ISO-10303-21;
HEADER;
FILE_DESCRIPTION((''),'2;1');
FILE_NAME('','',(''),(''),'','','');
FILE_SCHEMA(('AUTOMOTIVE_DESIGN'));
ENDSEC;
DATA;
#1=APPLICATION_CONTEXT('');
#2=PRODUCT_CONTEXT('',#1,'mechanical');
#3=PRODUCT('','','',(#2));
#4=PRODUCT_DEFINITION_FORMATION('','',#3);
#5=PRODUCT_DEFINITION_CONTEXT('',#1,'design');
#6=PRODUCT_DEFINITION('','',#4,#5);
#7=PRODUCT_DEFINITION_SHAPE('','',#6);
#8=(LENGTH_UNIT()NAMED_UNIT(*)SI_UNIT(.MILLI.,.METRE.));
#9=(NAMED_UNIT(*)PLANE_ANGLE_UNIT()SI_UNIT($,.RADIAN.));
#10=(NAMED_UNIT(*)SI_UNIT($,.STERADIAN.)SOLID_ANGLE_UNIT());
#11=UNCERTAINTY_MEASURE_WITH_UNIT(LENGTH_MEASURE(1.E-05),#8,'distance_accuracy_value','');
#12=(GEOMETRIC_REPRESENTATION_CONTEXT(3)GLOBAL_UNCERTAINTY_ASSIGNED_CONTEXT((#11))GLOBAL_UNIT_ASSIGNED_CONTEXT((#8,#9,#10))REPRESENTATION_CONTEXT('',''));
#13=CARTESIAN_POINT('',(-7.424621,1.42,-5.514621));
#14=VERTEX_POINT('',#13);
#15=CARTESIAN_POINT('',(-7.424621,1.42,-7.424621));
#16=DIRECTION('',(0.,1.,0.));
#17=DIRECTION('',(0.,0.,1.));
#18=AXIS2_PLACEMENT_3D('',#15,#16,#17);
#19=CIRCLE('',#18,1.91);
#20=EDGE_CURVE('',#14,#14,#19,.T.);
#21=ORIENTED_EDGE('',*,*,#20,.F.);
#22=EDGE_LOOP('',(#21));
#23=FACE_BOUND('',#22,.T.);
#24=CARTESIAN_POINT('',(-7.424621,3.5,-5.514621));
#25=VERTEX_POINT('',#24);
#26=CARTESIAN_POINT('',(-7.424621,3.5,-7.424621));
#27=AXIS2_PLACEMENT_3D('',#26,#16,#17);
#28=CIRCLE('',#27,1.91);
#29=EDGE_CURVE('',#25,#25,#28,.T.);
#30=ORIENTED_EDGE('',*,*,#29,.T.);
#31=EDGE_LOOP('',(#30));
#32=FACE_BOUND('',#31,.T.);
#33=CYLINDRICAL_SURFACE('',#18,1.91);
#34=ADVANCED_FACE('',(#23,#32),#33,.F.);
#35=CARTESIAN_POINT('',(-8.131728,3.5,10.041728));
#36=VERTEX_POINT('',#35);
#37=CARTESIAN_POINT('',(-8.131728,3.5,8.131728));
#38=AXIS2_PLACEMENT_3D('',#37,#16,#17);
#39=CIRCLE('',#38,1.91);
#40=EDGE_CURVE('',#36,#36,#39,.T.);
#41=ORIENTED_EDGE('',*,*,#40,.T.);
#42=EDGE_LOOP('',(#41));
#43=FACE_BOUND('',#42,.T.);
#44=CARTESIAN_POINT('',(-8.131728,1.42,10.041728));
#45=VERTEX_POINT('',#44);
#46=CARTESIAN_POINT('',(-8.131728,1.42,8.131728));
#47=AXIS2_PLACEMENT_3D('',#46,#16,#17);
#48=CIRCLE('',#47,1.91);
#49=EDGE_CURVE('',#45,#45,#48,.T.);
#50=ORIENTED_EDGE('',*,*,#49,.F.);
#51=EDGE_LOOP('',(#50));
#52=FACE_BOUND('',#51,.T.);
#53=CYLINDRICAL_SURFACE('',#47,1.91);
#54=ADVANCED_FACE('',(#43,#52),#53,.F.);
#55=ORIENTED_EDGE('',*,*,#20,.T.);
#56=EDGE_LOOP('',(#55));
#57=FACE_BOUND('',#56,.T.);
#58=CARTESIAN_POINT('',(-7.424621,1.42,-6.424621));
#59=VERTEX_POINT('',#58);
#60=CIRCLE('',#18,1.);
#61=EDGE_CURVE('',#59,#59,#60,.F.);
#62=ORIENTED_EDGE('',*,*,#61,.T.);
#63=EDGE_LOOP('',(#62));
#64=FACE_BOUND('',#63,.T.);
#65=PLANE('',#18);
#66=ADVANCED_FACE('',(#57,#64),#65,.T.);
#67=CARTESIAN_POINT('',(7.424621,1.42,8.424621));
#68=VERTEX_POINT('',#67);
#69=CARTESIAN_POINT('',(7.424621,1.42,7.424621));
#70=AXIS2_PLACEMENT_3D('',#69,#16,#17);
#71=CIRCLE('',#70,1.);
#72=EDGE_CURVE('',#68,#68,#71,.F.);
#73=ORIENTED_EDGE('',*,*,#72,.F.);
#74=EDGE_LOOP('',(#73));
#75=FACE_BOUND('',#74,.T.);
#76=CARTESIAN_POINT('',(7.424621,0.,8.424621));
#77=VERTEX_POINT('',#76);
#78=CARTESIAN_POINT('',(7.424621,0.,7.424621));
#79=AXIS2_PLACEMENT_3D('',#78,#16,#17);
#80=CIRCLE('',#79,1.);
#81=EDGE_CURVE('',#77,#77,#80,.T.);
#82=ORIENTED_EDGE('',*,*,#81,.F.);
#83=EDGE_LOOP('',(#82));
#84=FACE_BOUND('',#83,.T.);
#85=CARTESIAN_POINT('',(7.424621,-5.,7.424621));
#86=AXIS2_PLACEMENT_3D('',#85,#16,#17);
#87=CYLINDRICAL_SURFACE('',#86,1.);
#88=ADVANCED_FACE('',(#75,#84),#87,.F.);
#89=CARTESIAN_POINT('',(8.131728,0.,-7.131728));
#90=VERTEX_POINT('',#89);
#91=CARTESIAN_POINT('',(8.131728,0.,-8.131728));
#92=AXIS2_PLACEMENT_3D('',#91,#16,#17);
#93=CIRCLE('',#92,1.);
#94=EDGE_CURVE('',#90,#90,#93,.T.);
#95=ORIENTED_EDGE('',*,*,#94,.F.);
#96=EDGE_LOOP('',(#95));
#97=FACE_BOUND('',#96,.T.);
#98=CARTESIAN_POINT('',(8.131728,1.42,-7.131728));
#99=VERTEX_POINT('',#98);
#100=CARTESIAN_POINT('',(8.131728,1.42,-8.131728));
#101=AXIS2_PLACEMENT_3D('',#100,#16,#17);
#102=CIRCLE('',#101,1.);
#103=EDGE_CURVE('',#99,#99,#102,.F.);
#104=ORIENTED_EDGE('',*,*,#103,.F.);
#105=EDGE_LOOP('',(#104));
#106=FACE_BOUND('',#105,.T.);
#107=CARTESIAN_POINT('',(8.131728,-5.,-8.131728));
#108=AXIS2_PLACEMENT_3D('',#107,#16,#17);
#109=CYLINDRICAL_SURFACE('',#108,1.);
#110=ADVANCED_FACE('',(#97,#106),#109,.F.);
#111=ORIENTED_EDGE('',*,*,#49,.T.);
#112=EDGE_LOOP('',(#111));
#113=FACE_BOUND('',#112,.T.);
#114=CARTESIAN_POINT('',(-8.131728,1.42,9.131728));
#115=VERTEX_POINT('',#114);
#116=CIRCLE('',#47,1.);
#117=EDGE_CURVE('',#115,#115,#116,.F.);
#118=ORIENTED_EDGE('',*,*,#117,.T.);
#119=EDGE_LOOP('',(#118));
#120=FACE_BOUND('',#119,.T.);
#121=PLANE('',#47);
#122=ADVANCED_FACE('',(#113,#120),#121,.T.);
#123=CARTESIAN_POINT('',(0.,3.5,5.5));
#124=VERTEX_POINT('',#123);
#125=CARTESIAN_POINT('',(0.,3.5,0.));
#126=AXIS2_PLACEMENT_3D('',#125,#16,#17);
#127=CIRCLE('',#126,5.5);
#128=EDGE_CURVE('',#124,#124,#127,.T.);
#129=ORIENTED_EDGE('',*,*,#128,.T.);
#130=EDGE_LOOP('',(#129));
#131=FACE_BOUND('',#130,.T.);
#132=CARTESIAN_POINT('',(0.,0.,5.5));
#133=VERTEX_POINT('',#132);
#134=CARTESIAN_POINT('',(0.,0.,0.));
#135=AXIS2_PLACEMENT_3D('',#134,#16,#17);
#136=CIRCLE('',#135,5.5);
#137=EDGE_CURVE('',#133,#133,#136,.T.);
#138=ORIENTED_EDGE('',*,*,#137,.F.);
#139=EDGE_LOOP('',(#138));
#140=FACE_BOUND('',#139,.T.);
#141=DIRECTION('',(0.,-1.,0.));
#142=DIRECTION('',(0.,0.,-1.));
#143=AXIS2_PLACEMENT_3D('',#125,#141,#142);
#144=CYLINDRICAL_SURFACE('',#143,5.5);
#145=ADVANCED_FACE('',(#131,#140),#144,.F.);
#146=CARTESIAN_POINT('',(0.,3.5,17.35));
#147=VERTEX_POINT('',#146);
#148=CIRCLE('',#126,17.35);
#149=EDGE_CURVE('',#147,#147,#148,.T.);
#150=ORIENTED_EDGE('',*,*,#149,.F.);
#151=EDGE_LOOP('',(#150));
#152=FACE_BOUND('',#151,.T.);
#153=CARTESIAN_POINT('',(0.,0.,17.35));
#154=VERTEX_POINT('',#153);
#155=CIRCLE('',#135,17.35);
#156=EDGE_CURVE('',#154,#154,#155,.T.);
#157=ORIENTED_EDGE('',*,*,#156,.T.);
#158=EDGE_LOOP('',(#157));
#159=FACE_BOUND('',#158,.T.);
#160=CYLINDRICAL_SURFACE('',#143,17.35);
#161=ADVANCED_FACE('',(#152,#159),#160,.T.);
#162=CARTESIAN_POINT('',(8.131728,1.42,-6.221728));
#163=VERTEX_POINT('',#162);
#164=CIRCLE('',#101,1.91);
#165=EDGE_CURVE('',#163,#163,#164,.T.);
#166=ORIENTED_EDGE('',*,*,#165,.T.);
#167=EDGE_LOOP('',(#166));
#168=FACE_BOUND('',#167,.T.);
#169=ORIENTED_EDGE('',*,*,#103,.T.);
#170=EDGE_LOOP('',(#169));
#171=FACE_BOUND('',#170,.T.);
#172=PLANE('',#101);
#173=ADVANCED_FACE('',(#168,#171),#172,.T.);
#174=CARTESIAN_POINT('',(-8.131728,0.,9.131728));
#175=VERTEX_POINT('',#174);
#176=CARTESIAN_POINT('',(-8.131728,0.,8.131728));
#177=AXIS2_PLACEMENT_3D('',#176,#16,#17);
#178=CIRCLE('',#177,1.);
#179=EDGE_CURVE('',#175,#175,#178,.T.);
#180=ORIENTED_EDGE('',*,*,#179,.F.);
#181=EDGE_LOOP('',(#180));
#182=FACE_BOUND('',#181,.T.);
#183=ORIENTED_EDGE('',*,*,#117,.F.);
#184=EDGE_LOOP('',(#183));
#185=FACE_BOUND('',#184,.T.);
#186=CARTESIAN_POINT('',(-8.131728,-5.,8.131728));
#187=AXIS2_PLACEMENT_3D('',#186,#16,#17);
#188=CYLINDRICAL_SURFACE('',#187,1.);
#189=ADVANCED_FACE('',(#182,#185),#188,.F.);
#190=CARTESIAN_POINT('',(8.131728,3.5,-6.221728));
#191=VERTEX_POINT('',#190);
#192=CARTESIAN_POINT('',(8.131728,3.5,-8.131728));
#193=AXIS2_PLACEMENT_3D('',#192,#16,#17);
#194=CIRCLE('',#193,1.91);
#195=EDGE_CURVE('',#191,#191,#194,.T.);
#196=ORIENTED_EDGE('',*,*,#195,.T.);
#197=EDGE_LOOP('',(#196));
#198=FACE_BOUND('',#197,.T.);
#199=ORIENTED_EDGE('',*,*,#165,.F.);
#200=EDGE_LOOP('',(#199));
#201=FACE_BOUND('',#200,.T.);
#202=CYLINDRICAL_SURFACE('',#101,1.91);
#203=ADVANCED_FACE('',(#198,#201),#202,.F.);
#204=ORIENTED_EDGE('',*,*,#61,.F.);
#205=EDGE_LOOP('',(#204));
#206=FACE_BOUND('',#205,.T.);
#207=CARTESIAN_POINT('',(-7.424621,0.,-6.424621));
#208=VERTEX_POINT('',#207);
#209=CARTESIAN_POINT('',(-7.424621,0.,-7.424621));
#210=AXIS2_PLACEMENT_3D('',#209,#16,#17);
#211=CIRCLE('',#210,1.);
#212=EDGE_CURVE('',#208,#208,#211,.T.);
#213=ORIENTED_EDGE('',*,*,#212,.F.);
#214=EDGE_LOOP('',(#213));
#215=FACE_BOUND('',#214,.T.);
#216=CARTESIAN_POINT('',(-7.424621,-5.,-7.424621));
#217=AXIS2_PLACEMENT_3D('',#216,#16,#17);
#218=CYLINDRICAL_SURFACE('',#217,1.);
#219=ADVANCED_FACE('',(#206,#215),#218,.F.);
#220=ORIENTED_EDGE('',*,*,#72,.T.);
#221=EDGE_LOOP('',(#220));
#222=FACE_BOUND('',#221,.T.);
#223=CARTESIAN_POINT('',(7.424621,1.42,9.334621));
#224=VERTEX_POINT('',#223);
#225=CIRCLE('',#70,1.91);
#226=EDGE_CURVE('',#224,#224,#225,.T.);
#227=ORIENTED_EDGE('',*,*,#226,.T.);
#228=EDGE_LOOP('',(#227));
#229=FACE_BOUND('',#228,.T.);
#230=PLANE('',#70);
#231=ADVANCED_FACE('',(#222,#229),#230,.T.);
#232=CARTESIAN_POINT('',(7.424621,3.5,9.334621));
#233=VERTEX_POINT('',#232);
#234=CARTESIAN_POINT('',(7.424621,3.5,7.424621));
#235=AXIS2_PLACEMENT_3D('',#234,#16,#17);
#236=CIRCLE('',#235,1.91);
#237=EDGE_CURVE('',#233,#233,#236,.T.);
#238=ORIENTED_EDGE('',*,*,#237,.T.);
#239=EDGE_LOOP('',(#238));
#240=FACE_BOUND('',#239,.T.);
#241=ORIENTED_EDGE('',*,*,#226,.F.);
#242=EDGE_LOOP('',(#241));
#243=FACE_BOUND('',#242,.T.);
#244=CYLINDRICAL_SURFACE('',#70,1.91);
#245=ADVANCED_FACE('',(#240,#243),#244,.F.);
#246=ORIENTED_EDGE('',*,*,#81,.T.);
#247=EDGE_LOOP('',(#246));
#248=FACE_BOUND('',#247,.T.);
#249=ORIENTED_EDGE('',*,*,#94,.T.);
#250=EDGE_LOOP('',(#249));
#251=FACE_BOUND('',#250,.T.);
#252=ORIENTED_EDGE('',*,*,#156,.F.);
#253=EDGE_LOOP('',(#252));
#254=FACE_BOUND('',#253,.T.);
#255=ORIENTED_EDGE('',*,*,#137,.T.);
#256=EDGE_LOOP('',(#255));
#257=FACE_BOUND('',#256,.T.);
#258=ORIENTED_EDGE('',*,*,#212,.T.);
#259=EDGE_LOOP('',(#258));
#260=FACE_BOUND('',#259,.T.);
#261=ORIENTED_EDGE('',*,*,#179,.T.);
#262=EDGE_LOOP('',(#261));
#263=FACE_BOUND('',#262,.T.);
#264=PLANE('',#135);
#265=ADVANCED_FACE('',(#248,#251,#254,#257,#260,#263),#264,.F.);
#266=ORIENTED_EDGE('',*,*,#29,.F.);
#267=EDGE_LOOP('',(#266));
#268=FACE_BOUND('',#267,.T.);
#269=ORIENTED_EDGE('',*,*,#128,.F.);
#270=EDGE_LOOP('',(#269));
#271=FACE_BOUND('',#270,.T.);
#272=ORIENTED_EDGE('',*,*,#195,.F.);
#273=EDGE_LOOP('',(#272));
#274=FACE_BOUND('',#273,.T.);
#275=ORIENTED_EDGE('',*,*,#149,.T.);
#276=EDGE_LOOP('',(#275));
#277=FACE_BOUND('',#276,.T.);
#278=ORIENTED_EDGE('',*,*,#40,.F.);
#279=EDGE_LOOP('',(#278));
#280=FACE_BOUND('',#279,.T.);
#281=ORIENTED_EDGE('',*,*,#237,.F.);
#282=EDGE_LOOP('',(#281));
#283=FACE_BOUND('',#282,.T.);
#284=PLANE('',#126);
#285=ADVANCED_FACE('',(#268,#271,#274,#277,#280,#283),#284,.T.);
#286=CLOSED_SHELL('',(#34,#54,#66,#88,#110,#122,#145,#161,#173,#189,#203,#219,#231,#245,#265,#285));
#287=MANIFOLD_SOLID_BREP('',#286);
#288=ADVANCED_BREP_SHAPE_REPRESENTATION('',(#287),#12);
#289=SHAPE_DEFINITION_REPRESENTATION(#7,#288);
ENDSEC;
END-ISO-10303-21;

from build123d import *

# Parameters (mm, degrees)
SKETCH_1_R          = 17.35
SKETCH_1_R_2        = 5.5
EXTRUDE_1_DEPTH     = 3.5
SKETCH_6_R          = 1
CUT_EXTRUDE_3_DEPTH = 5
SKETCH_7_R          = 1.91
CUT_EXTRUDE_4_DEPTH = 2.08


with BuildPart() as part:
    # 草图1 → 凸台-拉伸1 (new body)
    with BuildSketch(Plane(origin=(0, 0, 0), x_dir=(1, 0, 0), z_dir=(0, 1, 0))):
        with Locations(Location((0, 0, 0), (0, 0, 270))):
            Circle(SKETCH_1_R)
        with Locations(Location((0, 0, 0), (0, 0, 270))):
            Circle(SKETCH_1_R_2, mode=Mode.SUBTRACT)
    extrude(amount=EXTRUDE_1_DEPTH)

    # 草图6 → 切除-拉伸3 (cut, symmetric)
    with BuildSketch(Plane(origin=(0, 0, 0), x_dir=(1, 0, 0), z_dir=(0, 1, 0))):
        with Locations(Location((8.131727984, 8.131727984, 0), (0, 0, 270))):
            Circle(SKETCH_6_R)
        with Locations(Location((7.424621202, -7.424621202, 0), (0, 0, 270))):
            Circle(SKETCH_6_R)
        with Locations(Location((-8.131727984, -8.131727984, 0), (0, 0, 270))):
            Circle(SKETCH_6_R)
        with Locations(Location((-7.424621202, 7.424621202, 0), (0, 0, 270))):
            Circle(SKETCH_6_R)
    extrude(amount=CUT_EXTRUDE_3_DEPTH, both=True, mode=Mode.SUBTRACT)

    # 草图7 → 切除-拉伸4 (cut)
    with BuildSketch(Plane(origin=(0, 3.5, 0), x_dir=(1, 0, 0), z_dir=(0, 1, 0))):
        with Locations(Location((-7.424621202, 7.424621202, 0), (0, 0, 270))):
            Circle(SKETCH_7_R)
        with Locations(Location((8.131727984, 8.131727984, 0), (0, 0, 270))):
            Circle(SKETCH_7_R)
        with Locations(Location((7.424621202, -7.424621202, 0), (0, 0, 270))):
            Circle(SKETCH_7_R)
        with Locations(Location((-8.131727984, -8.131727984, 0), (0, 0, 270))):
            Circle(SKETCH_7_R)
    extrude(amount=-CUT_EXTRUDE_4_DEPTH, mode=Mode.SUBTRACT)


solid = part.part
